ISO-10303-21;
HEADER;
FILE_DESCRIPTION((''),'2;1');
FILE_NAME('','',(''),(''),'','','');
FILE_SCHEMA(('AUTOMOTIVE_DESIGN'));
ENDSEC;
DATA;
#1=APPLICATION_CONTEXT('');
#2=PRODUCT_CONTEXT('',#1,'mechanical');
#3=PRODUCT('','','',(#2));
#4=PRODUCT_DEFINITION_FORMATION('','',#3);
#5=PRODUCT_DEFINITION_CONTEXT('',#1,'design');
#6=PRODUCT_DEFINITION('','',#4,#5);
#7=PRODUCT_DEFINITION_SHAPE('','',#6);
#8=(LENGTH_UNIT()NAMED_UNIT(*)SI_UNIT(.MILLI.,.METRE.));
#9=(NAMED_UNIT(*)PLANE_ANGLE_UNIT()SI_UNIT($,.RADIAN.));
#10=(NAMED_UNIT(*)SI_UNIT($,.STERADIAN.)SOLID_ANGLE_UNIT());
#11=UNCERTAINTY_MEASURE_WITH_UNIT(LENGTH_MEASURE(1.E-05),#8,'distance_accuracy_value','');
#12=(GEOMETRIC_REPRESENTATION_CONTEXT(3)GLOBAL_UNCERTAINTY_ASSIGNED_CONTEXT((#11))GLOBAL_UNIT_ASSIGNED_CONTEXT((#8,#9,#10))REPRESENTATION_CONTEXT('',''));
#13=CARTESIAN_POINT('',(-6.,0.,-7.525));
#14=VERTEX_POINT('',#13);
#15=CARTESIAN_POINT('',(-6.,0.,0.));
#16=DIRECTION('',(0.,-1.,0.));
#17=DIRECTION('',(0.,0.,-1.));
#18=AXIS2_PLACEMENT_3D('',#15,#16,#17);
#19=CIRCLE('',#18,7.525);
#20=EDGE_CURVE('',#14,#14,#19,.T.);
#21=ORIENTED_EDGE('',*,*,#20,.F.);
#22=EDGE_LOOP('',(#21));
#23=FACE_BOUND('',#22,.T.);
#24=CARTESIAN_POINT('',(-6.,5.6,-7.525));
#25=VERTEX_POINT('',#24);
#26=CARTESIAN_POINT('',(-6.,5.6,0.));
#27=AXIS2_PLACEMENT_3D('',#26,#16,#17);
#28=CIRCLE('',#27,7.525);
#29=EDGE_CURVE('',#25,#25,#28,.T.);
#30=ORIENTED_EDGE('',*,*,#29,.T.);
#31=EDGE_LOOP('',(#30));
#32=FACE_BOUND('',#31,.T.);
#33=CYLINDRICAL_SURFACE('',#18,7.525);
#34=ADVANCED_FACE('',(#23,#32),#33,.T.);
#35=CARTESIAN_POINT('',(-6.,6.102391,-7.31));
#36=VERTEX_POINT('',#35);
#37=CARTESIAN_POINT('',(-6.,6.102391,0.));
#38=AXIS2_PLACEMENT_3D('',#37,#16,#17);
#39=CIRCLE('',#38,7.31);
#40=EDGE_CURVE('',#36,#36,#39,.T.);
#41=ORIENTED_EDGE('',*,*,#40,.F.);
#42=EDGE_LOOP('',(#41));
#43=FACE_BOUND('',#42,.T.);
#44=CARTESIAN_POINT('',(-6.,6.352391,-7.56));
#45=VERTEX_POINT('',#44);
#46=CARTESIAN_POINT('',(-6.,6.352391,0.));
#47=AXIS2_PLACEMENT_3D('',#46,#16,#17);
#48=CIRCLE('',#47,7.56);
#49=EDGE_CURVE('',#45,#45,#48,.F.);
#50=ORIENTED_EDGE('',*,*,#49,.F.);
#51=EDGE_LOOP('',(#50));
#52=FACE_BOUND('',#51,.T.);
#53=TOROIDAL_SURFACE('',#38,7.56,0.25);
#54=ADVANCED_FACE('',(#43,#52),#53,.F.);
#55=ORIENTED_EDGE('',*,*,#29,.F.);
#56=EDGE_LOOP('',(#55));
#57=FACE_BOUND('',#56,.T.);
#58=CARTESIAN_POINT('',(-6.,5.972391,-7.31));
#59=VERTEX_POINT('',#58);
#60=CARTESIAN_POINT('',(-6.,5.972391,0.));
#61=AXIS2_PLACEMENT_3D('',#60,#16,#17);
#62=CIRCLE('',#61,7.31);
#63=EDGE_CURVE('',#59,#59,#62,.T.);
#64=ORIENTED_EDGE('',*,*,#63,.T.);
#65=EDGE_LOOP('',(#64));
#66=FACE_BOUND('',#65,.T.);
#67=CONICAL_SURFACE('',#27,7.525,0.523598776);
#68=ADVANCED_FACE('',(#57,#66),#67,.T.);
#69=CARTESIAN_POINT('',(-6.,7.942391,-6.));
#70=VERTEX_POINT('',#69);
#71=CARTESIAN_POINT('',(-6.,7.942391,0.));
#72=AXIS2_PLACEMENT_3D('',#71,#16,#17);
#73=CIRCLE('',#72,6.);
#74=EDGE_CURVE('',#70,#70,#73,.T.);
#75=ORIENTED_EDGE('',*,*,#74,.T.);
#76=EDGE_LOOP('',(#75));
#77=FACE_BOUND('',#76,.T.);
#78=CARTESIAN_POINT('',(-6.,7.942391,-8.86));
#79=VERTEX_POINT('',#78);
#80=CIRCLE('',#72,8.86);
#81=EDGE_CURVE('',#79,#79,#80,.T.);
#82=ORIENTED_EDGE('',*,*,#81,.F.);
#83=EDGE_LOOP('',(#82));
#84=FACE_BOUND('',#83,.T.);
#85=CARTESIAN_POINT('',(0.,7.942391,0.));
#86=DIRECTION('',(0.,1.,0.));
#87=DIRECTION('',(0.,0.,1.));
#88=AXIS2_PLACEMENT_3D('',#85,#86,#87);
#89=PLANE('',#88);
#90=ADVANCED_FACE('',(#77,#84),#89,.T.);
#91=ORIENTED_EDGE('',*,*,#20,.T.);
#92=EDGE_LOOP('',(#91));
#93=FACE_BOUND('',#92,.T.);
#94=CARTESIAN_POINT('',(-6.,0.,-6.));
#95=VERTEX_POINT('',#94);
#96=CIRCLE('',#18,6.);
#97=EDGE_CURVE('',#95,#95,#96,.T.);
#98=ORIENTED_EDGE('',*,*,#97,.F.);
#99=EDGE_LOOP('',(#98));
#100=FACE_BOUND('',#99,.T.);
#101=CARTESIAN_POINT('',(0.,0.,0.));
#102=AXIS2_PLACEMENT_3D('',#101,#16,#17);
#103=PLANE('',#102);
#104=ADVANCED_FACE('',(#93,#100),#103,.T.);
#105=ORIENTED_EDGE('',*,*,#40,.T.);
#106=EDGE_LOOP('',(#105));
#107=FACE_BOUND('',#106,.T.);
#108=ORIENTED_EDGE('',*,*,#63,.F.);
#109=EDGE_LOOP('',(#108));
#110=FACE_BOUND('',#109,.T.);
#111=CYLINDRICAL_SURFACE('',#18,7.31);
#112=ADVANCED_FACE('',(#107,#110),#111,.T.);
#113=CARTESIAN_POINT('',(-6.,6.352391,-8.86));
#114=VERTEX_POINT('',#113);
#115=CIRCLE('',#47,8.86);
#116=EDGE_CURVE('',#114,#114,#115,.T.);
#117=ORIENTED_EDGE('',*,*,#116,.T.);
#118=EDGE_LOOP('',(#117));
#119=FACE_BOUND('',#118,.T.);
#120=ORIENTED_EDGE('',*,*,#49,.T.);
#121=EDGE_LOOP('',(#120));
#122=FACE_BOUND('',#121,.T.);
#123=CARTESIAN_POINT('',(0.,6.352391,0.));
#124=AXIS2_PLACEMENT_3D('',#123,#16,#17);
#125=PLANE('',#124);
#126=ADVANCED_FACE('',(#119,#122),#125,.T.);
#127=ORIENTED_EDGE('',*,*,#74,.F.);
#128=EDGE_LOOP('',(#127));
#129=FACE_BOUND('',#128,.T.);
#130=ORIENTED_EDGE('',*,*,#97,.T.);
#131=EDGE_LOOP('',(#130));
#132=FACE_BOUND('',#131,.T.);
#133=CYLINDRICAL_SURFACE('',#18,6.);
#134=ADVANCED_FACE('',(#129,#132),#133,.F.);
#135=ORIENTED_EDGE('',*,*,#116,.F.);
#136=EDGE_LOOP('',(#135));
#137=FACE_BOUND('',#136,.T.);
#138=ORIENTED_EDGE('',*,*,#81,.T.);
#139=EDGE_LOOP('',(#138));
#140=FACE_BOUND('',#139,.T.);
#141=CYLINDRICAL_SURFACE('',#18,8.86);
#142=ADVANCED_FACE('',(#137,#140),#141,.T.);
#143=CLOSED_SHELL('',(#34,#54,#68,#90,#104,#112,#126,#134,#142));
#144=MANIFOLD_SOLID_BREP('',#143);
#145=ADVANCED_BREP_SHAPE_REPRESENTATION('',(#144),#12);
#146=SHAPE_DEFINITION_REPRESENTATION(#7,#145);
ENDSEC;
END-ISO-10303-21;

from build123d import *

# Parameters (mm, degrees)
SKETCH1_W = 1.525
SKETCH1_H = 5.6
FILLET1_R = 0.25


with BuildPart() as part:
    # Sketch1 → Revolve1 (revolve)
    with BuildSketch(Plane.XY, mode=Mode.PRIVATE) as revolve1_sk:
        with Locations((0.7625, 2.8)):
            Rectangle(SKETCH1_W, SKETCH1_H)
        Polygon((0, 5.6), (1.525, 5.6), (1.31, 5.972390924), (1.31, 6.352390924), (2.86, 6.352390924), (2.86, 7.942390924), (0, 7.942390924), align=None)
    revolve(revolve1_sk.sketch.rotate(Axis((-6, 0, 0), (0, 1, 0)), 90), axis=Axis((-6, 0, 0), (0, 1, 0)))

    # Fillet1
    fillet1_edges = [part.edges().sort_by_distance(p)[0] for p in [
        (-6, 6.352390924, 7.31),
    ]]
    fillet(fillet1_edges, radius=FILLET1_R)


solid = part.part
